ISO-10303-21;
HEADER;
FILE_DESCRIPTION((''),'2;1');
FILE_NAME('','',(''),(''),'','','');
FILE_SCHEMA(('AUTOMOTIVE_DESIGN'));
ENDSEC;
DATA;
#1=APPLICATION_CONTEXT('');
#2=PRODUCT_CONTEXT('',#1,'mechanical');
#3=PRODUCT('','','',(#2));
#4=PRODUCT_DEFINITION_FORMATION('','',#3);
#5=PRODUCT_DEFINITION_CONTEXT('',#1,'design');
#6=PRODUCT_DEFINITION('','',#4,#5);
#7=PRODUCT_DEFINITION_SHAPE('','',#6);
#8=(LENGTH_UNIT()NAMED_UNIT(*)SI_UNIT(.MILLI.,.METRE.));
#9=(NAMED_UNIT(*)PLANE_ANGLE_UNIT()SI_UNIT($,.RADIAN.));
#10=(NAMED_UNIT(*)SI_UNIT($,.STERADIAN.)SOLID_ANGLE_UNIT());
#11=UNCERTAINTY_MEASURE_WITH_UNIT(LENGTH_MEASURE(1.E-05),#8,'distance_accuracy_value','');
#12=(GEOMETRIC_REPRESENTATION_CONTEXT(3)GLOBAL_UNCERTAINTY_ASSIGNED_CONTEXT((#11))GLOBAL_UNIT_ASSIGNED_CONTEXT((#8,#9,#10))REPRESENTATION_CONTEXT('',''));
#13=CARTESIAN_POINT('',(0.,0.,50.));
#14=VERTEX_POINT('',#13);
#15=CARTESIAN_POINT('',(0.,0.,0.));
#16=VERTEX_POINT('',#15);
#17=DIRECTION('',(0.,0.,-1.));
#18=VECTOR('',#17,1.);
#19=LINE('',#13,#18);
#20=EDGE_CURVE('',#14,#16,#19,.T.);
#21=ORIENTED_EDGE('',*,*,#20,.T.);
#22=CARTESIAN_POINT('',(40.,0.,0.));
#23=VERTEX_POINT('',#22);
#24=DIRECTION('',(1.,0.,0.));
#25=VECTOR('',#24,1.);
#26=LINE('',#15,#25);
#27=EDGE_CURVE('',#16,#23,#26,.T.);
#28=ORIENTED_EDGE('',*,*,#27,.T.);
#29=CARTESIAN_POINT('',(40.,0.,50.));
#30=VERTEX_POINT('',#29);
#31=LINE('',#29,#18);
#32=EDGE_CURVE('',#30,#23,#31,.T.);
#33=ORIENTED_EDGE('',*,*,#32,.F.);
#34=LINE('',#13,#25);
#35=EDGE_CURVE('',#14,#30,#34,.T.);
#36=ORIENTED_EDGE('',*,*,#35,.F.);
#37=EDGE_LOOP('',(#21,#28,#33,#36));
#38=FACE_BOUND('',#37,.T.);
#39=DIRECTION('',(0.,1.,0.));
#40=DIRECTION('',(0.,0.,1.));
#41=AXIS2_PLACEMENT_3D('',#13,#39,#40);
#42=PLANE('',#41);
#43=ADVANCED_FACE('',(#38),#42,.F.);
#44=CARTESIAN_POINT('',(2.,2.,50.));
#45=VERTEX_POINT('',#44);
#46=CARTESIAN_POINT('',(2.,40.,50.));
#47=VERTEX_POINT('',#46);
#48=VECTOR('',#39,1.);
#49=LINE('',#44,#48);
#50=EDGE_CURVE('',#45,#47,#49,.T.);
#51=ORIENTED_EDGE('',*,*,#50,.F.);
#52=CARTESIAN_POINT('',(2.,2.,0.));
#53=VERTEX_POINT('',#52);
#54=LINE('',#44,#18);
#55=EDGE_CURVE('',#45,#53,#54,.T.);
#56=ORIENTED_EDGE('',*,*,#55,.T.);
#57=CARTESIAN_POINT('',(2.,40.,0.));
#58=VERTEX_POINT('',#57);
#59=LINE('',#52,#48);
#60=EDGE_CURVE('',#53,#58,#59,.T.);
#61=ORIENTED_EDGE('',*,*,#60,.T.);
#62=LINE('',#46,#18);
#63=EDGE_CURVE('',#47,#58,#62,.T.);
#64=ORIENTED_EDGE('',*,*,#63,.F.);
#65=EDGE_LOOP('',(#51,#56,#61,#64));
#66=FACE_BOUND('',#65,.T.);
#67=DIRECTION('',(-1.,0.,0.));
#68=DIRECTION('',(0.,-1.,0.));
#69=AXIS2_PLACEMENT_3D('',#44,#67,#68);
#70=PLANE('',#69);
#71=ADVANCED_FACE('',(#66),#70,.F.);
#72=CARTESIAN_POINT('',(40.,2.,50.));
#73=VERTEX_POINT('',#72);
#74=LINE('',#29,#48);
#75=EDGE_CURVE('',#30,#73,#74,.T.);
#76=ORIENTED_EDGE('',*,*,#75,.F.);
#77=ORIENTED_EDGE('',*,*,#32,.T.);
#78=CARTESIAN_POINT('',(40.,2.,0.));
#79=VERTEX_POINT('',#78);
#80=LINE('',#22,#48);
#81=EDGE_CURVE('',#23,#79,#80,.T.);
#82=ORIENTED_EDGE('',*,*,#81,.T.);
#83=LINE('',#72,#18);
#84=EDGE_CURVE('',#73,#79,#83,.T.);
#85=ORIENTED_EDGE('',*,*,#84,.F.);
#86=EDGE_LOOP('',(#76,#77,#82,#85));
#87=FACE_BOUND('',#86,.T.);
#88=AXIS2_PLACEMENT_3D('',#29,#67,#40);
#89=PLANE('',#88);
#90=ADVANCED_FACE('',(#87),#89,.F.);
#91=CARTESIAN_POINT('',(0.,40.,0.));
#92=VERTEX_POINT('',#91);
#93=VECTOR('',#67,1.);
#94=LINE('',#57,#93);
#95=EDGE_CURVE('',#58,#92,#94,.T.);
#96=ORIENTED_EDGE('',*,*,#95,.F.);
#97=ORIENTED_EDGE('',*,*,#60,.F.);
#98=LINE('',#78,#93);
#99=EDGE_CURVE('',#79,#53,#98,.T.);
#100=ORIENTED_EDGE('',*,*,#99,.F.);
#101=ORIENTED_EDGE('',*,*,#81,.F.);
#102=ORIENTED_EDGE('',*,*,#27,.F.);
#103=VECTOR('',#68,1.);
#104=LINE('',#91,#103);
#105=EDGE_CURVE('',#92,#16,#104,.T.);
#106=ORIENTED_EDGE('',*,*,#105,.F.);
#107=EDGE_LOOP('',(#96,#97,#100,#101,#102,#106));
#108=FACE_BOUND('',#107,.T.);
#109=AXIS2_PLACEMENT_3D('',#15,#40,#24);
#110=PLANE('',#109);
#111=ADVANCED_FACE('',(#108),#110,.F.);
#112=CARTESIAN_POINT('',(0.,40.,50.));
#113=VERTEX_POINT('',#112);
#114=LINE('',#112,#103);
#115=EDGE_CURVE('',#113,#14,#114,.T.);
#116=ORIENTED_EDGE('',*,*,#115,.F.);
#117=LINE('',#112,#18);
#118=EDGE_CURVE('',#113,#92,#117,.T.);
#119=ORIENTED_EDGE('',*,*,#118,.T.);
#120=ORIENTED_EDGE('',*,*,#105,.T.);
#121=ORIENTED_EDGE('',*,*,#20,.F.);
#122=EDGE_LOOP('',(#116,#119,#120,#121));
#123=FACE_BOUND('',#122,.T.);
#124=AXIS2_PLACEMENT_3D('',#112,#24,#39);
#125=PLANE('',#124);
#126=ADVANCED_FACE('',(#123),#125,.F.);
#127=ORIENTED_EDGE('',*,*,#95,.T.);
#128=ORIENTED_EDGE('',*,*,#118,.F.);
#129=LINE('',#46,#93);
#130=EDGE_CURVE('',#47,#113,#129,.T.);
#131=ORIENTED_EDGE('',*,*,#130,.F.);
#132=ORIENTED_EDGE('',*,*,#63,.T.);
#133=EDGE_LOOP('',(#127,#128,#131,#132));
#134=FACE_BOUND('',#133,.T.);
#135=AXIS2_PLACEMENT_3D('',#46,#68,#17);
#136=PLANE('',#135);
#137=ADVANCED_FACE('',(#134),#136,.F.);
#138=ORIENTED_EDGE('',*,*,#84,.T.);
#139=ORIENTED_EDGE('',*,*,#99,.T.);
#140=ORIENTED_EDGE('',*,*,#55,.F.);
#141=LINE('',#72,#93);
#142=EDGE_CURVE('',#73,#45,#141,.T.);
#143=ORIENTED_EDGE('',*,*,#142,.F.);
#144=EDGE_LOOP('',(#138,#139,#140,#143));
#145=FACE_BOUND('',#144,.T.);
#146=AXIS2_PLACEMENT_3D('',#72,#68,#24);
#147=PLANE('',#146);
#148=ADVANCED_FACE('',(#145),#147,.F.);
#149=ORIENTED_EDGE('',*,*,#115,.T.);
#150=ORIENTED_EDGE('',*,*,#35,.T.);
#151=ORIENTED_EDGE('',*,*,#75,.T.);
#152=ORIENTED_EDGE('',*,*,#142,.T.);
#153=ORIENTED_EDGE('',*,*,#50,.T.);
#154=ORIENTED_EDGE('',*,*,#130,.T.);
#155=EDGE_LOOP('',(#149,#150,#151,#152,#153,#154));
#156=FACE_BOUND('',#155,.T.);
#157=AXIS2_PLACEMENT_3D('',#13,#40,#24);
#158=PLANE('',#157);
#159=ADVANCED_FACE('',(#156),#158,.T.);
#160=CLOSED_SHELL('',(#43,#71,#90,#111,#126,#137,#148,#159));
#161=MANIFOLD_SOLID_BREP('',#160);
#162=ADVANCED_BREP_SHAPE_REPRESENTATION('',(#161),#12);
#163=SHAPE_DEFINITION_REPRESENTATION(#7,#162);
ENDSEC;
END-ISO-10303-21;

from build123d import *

# Parameters (mm, degrees)
BOSS_EXTRU_1_DEPTH = 50


with BuildPart() as part:
    # Esquisse1 → Boss.-Extru.1 (new body)
    with BuildSketch(Plane.XY):
        Polygon((0, 0), (40, 0), (40, 2), (2, 2), (2, 40), (0, 40), align=None)
    extrude(amount=BOSS_EXTRU_1_DEPTH)


solid = part.part
